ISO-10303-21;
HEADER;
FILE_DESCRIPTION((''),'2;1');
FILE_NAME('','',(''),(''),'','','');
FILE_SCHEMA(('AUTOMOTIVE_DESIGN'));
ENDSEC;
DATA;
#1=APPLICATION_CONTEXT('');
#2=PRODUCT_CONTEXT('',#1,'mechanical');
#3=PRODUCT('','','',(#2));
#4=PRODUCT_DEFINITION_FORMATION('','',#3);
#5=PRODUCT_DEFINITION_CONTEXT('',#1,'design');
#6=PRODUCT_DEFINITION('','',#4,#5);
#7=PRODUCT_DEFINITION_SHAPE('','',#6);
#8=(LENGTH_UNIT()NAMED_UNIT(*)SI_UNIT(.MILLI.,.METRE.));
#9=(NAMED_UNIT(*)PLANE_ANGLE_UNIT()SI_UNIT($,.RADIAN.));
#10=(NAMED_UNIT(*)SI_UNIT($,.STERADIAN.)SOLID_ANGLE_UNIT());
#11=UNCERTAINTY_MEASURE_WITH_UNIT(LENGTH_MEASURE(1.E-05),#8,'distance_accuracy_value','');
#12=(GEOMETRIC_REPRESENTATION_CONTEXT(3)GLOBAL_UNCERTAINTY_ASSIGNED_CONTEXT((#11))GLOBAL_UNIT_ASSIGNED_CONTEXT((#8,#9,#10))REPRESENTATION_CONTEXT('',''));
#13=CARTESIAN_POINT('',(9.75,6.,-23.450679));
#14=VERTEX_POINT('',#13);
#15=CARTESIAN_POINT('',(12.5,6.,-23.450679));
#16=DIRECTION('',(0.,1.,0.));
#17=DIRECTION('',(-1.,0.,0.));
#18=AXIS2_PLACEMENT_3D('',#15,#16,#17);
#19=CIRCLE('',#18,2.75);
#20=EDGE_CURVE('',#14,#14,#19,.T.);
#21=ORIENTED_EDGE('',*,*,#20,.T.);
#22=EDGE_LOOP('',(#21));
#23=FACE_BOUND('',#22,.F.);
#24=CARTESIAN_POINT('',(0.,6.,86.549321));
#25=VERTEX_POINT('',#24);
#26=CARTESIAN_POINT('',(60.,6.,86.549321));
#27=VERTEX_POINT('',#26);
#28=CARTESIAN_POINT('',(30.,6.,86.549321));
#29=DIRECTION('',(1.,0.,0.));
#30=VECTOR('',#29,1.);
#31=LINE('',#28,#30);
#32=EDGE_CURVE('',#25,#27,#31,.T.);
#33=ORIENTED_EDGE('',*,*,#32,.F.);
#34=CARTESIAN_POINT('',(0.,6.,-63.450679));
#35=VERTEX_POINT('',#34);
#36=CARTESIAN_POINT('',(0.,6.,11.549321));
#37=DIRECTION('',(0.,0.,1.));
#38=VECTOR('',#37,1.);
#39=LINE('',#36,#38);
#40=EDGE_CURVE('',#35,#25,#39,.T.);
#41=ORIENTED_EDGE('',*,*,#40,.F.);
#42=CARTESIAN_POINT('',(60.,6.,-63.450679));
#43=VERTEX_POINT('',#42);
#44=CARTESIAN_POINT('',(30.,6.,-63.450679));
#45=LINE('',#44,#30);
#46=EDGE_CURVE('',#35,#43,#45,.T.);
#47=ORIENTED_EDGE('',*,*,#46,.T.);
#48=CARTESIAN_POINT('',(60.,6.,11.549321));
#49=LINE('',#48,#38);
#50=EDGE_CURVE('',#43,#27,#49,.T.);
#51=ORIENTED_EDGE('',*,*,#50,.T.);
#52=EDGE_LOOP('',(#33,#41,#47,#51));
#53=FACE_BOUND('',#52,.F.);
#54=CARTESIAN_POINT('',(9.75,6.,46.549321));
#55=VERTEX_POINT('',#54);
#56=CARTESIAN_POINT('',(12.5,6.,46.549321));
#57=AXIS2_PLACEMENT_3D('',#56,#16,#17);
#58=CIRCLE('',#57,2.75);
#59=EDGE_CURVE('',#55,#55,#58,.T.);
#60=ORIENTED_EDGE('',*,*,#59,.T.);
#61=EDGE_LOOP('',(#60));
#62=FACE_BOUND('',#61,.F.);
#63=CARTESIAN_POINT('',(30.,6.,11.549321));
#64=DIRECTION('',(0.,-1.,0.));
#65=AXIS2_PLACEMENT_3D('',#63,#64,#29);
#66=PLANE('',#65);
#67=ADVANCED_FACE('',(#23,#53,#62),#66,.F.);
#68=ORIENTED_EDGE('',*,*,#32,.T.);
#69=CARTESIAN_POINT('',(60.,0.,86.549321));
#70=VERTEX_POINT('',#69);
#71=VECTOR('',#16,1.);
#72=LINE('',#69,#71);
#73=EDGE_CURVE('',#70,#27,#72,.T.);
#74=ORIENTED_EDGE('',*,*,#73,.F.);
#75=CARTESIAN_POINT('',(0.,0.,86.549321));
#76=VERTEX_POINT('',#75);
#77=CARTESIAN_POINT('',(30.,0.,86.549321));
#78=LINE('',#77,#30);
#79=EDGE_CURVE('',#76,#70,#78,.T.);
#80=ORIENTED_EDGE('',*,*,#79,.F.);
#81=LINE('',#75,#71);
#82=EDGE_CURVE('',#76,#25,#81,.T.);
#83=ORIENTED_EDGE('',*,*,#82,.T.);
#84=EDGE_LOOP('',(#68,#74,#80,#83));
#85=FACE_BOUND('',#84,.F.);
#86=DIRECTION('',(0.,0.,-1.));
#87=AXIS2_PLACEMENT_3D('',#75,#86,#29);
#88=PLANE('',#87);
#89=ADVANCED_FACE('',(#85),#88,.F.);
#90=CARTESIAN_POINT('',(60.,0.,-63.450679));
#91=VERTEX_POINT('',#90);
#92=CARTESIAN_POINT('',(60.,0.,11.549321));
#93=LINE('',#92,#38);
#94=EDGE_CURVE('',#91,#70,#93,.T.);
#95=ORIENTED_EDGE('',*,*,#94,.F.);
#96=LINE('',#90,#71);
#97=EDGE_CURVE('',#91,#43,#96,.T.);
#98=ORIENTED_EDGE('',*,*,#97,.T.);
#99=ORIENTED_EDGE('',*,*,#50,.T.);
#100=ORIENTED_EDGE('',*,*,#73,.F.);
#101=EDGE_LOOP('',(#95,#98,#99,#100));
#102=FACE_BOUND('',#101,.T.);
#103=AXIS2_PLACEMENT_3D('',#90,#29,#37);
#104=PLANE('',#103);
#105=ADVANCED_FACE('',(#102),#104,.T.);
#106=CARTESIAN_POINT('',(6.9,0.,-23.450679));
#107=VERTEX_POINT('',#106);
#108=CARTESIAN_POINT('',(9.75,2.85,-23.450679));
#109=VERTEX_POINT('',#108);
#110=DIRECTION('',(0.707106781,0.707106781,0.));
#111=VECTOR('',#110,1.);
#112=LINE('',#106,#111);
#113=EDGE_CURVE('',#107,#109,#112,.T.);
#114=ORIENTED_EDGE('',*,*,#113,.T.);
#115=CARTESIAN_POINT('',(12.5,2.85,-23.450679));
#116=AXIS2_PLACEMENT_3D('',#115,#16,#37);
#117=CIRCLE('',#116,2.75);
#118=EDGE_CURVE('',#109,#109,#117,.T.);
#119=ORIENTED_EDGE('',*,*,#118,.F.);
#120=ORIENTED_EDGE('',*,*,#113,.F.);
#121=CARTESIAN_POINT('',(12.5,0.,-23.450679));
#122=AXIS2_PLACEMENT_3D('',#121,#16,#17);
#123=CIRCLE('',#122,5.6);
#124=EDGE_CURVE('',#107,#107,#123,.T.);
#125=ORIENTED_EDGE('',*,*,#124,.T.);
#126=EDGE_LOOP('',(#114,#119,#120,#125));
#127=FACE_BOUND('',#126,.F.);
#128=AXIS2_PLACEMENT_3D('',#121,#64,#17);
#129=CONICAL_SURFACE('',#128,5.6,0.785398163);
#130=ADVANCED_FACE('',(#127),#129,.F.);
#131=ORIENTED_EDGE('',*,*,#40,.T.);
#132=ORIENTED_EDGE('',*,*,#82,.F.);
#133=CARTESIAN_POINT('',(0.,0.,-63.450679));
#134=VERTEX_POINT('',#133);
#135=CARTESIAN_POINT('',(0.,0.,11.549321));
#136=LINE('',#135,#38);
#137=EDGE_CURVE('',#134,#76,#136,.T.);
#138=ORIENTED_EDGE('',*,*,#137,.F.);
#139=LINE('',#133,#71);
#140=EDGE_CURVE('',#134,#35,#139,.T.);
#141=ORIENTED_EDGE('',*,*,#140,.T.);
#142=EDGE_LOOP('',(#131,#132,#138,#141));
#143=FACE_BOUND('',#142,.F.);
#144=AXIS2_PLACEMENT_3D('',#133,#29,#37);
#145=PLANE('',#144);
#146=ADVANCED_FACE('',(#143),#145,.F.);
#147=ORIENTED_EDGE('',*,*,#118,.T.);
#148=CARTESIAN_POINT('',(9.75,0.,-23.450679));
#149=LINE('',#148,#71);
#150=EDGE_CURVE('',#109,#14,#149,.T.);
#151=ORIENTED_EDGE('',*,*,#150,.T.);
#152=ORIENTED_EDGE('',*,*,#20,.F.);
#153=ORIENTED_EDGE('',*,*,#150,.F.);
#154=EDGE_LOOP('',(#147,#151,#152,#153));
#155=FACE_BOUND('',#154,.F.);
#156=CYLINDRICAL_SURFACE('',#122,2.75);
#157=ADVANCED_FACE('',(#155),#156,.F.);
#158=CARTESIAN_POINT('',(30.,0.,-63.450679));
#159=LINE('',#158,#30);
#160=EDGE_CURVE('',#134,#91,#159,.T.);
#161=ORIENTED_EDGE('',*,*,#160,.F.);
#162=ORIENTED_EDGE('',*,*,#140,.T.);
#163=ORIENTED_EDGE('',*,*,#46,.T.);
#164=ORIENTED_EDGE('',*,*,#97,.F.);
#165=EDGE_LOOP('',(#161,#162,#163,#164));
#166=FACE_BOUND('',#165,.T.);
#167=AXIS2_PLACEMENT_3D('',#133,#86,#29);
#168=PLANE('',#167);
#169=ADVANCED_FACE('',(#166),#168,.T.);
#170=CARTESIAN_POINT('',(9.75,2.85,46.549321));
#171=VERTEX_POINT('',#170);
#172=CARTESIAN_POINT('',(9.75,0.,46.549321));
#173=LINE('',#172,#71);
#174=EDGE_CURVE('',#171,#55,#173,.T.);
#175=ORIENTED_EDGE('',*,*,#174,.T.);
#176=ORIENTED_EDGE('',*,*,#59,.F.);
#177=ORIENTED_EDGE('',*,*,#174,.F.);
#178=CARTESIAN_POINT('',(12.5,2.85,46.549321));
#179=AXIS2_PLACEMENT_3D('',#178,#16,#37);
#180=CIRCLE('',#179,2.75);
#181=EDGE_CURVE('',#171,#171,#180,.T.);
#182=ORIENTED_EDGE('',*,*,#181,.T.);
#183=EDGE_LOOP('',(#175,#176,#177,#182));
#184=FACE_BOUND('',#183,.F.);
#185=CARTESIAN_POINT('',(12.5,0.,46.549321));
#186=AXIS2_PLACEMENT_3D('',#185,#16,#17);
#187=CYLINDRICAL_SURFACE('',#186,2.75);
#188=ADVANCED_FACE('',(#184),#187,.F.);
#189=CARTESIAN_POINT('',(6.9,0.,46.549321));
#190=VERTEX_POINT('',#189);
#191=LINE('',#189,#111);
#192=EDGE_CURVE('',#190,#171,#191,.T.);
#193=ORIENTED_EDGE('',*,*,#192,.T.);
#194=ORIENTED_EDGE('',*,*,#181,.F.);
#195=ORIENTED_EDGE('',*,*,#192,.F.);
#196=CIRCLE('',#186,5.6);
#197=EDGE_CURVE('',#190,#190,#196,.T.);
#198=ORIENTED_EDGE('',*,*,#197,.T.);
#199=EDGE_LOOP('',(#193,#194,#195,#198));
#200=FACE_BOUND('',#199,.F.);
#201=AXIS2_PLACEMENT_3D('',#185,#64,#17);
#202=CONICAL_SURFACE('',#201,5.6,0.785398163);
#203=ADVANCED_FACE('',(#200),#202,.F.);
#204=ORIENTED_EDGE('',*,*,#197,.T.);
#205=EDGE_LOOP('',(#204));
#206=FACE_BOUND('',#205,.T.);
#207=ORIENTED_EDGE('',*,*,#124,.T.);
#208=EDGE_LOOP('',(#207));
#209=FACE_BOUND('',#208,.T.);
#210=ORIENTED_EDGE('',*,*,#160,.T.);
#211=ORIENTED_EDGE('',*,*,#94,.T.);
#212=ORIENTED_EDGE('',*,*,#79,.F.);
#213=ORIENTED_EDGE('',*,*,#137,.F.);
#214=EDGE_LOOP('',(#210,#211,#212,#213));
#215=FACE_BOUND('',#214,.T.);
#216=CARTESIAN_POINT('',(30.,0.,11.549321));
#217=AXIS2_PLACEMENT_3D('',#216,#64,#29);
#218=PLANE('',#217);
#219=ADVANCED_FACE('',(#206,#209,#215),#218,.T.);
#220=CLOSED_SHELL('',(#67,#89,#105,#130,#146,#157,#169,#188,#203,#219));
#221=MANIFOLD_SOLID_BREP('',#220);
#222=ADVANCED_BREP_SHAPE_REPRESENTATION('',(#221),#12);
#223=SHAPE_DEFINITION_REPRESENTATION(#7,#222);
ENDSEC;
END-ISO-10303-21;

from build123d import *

# Parameters (mm, degrees)
F0_W           = 60
F0_H           = 150
F1_DEPTH       = 6
F2_D           = 5.5
F2_CSINK_D     = 11.2
F2_CSINK_ANGLE = 90


with BuildPart() as f1:
    # F0 (on Front) → F1 (new body)
    with BuildSketch(Plane.XZ):
        with Locations((30, 11.549320817)):
            Rectangle(F0_W, F0_H)
    extrude(amount=-F1_DEPTH)

    # F2 (through all)
    with Locations(Plane.XZ):
        with Locations((12.5, 46.549320817), (12.5, -23.450679183)):
            CounterSinkHole(F2_D / 2, F2_CSINK_D / 2, counter_sink_angle=F2_CSINK_ANGLE)


solid = f1.part
